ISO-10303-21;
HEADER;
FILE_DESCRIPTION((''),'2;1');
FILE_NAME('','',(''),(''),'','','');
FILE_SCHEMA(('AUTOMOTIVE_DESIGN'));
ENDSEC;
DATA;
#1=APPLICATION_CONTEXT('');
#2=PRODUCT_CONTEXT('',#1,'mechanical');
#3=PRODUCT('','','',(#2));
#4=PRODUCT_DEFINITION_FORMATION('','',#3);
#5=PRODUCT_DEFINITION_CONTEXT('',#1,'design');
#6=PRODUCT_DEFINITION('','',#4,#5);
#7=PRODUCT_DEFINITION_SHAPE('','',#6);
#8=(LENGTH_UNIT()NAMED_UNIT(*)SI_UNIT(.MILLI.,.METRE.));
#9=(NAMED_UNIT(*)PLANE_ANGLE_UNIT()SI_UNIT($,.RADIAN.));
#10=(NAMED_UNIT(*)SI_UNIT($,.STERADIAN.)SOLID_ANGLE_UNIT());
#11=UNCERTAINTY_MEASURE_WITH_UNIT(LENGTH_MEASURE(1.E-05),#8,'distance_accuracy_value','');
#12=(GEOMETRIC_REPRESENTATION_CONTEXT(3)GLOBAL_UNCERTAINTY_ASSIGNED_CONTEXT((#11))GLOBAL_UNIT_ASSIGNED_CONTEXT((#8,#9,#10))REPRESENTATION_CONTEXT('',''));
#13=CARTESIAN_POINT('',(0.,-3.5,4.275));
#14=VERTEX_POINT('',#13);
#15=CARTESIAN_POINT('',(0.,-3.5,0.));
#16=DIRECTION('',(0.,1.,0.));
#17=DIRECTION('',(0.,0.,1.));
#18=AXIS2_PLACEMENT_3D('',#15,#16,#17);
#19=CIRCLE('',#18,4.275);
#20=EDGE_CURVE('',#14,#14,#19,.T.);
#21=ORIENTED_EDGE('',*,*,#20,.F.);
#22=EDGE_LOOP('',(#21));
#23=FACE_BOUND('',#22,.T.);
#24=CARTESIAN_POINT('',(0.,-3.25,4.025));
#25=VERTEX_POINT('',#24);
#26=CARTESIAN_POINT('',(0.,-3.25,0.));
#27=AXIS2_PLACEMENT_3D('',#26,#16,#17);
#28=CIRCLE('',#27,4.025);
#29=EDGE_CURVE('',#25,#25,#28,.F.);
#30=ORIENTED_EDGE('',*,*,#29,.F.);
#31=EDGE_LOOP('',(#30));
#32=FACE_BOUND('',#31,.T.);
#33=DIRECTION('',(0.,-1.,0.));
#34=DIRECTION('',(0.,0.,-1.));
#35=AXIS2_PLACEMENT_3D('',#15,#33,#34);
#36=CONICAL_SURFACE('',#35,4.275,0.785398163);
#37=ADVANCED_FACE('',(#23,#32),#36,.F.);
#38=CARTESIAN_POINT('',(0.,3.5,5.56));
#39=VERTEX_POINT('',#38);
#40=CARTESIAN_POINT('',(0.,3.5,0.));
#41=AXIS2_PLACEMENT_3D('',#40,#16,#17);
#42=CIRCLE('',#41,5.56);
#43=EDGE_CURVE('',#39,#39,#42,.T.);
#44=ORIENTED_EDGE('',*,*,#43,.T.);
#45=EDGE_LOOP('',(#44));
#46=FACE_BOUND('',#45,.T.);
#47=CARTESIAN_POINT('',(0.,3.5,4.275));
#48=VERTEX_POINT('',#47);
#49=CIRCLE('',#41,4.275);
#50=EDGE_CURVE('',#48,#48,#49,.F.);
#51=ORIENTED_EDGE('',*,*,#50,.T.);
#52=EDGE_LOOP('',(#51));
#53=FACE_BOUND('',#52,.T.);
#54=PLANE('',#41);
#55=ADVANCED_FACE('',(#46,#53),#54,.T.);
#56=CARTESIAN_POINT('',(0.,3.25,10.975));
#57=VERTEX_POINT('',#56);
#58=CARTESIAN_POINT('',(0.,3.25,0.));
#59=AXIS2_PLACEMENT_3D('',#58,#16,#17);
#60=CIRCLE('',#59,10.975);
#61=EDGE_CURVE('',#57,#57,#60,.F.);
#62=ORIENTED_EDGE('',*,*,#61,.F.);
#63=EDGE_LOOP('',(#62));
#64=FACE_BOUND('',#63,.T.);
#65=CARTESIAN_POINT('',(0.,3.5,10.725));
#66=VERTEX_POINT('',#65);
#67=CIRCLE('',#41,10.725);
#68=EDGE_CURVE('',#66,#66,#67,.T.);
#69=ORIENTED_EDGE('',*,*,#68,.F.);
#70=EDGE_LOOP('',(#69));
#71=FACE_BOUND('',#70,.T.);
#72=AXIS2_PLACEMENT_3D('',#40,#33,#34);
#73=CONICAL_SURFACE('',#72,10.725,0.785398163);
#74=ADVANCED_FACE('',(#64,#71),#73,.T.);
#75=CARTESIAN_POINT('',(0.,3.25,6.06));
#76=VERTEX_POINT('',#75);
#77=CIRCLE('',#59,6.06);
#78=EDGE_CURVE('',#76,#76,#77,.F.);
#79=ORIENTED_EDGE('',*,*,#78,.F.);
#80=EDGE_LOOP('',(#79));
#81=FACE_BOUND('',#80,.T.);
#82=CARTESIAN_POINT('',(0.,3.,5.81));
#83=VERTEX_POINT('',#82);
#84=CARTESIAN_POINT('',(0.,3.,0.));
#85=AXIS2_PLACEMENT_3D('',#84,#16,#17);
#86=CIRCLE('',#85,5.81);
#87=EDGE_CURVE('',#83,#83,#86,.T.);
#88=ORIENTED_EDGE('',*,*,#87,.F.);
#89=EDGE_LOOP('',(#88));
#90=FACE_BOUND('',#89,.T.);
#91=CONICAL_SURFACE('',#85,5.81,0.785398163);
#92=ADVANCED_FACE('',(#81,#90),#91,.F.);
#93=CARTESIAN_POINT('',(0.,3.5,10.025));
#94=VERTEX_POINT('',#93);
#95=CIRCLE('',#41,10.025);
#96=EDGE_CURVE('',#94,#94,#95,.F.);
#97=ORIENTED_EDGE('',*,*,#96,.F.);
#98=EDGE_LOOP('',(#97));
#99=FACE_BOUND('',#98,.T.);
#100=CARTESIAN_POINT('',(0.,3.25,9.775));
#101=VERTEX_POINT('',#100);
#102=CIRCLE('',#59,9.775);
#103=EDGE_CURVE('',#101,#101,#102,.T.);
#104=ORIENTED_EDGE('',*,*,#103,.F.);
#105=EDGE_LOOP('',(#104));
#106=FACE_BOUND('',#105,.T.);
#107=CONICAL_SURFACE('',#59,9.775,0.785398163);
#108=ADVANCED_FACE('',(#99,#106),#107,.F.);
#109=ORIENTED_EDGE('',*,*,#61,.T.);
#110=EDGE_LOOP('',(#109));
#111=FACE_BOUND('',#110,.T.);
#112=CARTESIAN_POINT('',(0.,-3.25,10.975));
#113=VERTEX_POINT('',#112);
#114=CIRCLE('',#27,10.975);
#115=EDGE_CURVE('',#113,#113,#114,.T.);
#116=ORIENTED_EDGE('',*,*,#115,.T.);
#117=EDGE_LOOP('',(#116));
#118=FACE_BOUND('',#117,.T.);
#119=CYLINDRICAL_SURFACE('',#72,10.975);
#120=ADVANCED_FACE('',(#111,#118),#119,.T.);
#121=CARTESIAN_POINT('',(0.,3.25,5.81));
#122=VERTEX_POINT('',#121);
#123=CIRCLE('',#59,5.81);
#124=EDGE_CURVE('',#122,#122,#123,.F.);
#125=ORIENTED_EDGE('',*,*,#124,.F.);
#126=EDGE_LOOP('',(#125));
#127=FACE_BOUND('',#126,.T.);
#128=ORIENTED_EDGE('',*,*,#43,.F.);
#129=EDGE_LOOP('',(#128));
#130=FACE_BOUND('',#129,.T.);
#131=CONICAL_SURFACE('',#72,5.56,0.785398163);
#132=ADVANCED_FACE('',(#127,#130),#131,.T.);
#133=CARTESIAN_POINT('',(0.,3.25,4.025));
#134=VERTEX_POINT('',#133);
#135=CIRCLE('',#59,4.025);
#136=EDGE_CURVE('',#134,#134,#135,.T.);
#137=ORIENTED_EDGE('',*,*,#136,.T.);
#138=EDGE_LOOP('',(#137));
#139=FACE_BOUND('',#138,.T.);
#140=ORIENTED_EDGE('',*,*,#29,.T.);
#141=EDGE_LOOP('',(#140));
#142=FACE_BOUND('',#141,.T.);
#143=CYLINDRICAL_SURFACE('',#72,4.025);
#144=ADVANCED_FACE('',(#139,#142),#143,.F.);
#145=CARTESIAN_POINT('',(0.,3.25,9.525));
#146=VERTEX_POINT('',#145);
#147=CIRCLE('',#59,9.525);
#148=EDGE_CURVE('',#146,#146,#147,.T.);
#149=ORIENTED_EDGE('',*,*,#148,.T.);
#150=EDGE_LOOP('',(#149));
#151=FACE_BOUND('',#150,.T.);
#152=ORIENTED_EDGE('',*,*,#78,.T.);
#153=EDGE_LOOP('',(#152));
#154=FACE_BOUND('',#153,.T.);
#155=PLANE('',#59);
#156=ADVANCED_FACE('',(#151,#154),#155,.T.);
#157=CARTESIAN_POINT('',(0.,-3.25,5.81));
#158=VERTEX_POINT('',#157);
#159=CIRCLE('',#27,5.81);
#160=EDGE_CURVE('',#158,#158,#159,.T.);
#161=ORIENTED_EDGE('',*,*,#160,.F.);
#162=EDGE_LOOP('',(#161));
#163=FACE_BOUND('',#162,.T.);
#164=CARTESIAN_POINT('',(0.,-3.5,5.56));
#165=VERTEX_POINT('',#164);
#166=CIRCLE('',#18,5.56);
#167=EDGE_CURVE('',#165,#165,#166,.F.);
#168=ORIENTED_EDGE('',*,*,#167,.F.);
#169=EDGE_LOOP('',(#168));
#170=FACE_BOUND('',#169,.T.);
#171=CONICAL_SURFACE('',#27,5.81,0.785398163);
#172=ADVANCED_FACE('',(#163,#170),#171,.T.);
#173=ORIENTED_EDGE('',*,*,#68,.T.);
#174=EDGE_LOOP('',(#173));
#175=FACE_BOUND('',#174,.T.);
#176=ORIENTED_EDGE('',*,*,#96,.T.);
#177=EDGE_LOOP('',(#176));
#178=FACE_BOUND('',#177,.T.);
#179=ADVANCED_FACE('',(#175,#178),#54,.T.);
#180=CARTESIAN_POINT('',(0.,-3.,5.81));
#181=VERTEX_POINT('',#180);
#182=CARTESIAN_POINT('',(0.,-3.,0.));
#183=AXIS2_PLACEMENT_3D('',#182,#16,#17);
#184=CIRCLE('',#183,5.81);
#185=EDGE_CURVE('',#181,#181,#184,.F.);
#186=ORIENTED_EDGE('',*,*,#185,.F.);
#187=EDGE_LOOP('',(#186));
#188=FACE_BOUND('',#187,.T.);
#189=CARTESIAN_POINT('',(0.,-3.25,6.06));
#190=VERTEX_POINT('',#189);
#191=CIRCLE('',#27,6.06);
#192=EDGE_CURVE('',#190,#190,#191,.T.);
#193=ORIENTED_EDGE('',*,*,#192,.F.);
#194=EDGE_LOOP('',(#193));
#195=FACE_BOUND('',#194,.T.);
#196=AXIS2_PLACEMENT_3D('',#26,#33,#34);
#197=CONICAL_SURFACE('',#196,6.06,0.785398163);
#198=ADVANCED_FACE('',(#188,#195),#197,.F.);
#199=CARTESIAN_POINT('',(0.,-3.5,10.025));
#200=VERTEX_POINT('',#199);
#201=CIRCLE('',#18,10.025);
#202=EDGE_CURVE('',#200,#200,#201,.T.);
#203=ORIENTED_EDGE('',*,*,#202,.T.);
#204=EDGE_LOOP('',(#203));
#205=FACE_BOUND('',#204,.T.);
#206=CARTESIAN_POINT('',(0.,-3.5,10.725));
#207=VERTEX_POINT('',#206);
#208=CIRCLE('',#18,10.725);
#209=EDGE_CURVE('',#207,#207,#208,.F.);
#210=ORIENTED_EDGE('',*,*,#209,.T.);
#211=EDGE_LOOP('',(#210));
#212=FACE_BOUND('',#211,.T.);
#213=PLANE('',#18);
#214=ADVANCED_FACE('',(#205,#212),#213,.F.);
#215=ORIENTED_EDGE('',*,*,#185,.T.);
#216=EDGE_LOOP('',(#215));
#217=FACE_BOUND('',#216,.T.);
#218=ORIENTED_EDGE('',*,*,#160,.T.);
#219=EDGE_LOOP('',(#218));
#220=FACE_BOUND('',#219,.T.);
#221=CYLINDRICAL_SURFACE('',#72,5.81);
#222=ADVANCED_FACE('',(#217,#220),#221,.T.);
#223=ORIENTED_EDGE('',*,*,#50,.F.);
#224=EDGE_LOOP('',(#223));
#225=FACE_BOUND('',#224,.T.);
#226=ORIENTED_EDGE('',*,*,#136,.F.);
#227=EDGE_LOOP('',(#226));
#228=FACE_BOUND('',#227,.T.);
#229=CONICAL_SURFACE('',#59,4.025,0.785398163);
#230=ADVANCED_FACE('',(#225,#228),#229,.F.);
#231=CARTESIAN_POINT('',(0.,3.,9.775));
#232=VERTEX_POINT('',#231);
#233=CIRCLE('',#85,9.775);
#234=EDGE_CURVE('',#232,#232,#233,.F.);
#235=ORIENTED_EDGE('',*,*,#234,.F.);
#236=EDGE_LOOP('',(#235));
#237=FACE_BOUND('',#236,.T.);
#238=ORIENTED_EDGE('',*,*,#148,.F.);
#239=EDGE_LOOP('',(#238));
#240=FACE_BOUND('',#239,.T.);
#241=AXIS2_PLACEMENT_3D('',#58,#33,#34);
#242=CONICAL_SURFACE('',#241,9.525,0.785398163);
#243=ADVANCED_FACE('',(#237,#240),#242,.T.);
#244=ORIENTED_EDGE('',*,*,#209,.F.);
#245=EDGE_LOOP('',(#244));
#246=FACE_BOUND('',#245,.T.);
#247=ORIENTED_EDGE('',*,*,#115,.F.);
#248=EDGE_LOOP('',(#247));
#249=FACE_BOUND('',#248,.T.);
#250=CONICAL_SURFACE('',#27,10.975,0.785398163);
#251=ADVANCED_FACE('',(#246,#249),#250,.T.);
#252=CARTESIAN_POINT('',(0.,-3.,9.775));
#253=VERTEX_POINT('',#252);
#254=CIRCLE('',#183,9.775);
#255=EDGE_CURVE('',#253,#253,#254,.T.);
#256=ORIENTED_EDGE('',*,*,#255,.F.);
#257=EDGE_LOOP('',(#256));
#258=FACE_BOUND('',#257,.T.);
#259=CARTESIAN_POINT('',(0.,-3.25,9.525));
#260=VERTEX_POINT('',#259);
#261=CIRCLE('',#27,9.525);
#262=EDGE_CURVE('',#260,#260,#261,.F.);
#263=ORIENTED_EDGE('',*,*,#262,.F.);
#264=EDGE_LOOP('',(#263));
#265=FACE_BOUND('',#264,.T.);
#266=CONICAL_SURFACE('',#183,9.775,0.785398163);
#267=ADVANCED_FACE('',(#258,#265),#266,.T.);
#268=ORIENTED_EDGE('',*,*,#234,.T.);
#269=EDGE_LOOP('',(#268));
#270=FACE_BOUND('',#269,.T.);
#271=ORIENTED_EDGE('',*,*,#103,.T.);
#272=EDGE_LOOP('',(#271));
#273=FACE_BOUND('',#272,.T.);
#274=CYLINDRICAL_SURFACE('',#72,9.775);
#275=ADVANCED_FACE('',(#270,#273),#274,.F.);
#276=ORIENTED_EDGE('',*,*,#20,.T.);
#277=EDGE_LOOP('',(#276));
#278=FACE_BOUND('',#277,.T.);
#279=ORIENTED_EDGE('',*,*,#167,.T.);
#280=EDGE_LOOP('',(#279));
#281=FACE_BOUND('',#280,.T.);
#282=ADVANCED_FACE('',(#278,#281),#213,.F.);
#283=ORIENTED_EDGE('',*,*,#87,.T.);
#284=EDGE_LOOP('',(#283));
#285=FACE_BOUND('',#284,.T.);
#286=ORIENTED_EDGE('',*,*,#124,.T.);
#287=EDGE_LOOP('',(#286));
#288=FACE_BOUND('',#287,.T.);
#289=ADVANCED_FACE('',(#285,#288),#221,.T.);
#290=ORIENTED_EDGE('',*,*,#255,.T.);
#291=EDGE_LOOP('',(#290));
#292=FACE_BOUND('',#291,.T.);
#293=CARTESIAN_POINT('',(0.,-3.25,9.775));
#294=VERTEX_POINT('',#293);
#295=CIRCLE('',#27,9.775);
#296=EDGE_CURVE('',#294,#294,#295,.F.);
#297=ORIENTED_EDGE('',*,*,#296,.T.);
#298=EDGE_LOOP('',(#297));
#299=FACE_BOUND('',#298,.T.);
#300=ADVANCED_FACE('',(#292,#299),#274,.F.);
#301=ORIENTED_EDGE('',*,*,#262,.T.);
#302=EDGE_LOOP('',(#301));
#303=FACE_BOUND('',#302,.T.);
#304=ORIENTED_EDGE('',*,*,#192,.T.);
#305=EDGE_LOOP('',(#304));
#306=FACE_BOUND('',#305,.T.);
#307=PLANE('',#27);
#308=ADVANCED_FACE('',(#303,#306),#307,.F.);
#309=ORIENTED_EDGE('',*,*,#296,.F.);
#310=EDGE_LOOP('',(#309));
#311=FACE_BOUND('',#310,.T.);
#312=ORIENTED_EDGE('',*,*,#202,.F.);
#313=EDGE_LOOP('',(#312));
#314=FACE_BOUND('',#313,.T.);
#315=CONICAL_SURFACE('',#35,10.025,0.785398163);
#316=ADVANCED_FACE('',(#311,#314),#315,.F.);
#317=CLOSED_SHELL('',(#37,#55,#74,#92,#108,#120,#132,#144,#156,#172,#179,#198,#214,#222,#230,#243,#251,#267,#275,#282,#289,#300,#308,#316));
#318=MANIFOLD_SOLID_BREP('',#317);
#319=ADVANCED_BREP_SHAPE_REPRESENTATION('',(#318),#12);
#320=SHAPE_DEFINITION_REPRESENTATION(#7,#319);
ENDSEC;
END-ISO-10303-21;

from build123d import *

# Parameters (mm, degrees)
SKETCH1_R             = 10.975
SKETCH1_R_2           = 9.775
BOSS_EXTRUDE1_DEPTH   = 3.5
SKETCH1_R_3           = 5.81
SKETCH1_R_4           = 4.025
BOSS_EXTRUDE1_2_DEPTH = 3.5
SKETCH1_3_R           = 9.775
SKETCH1_3_R_2         = 5.81
BOSS_EXTRUDE2_DEPTH   = 3.25
CHAMFER1_SIZE         = 0.25
CHAMFER2_SIZE         = 0.25
CHAMFER3_SIZE         = 0.25


with BuildPart() as part:
    # Sketch1 → Boss-Extrude1 (new body, symmetric)
    with BuildSketch(Plane(origin=(0, 0, 0), x_dir=(1, 0, 0), z_dir=(0, 1, 0))):
        Circle(SKETCH1_R)
        Circle(SKETCH1_R_2, mode=Mode.SUBTRACT)
    extrude(amount=BOSS_EXTRUDE1_DEPTH, both=True)

    # Chamfer2
    chamfer2_edges = [part.edges().sort_by_distance(p)[0] for p in [
        (-10.975, 3.5, 0),
        (-10.975, -3.5, 0),
        (-9.775, -3.5, 0),
        (-9.775, 3.5, 0),
    ]]
    chamfer(chamfer2_edges, length=CHAMFER2_SIZE)


with BuildPart() as body_2:
    # Sketch1 → Boss-Extrude1 2 (new body, symmetric)
    with BuildSketch(Plane(origin=(0, 0, 0), x_dir=(1, 0, 0), z_dir=(0, 1, 0))):
        Circle(SKETCH1_R_3)
        Circle(SKETCH1_R_4, mode=Mode.SUBTRACT)
    extrude(amount=BOSS_EXTRUDE1_2_DEPTH, both=True)

    # Chamfer3
    chamfer3_edges = [body_2.edges().sort_by_distance(p)[0] for p in [
        (-5.81, 3.5, 0),
        (-5.81, -3.5, 0),
        (-4.025, -3.5, 0),
        (-4.025, 3.5, 0),
    ]]
    chamfer(chamfer3_edges, length=CHAMFER3_SIZE)


with BuildPart() as body_3:
    # Sketch1<3> → Boss-Extrude2 (new body, symmetric)
    with BuildSketch(Plane(origin=(0, 0, 0), x_dir=(1, 0, 0), z_dir=(0, 1, 0))):
        Circle(SKETCH1_3_R)
        Circle(SKETCH1_3_R_2, mode=Mode.SUBTRACT)
    extrude(amount=BOSS_EXTRUDE2_DEPTH, both=True)

    # Chamfer1
    chamfer1_edges = [body_3.edges().sort_by_distance(p)[0] for p in [
        (-9.775, 3.25, 0),
        (-9.775, -3.25, 0),
        (-5.81, -3.25, 0),
        (-5.81, 3.25, 0),
    ]]
    chamfer(chamfer1_edges, length=CHAMFER1_SIZE)

    # Combine1: union body 2, part
    add(body_2.part)
    add(part.part)


solid = body_3.part
